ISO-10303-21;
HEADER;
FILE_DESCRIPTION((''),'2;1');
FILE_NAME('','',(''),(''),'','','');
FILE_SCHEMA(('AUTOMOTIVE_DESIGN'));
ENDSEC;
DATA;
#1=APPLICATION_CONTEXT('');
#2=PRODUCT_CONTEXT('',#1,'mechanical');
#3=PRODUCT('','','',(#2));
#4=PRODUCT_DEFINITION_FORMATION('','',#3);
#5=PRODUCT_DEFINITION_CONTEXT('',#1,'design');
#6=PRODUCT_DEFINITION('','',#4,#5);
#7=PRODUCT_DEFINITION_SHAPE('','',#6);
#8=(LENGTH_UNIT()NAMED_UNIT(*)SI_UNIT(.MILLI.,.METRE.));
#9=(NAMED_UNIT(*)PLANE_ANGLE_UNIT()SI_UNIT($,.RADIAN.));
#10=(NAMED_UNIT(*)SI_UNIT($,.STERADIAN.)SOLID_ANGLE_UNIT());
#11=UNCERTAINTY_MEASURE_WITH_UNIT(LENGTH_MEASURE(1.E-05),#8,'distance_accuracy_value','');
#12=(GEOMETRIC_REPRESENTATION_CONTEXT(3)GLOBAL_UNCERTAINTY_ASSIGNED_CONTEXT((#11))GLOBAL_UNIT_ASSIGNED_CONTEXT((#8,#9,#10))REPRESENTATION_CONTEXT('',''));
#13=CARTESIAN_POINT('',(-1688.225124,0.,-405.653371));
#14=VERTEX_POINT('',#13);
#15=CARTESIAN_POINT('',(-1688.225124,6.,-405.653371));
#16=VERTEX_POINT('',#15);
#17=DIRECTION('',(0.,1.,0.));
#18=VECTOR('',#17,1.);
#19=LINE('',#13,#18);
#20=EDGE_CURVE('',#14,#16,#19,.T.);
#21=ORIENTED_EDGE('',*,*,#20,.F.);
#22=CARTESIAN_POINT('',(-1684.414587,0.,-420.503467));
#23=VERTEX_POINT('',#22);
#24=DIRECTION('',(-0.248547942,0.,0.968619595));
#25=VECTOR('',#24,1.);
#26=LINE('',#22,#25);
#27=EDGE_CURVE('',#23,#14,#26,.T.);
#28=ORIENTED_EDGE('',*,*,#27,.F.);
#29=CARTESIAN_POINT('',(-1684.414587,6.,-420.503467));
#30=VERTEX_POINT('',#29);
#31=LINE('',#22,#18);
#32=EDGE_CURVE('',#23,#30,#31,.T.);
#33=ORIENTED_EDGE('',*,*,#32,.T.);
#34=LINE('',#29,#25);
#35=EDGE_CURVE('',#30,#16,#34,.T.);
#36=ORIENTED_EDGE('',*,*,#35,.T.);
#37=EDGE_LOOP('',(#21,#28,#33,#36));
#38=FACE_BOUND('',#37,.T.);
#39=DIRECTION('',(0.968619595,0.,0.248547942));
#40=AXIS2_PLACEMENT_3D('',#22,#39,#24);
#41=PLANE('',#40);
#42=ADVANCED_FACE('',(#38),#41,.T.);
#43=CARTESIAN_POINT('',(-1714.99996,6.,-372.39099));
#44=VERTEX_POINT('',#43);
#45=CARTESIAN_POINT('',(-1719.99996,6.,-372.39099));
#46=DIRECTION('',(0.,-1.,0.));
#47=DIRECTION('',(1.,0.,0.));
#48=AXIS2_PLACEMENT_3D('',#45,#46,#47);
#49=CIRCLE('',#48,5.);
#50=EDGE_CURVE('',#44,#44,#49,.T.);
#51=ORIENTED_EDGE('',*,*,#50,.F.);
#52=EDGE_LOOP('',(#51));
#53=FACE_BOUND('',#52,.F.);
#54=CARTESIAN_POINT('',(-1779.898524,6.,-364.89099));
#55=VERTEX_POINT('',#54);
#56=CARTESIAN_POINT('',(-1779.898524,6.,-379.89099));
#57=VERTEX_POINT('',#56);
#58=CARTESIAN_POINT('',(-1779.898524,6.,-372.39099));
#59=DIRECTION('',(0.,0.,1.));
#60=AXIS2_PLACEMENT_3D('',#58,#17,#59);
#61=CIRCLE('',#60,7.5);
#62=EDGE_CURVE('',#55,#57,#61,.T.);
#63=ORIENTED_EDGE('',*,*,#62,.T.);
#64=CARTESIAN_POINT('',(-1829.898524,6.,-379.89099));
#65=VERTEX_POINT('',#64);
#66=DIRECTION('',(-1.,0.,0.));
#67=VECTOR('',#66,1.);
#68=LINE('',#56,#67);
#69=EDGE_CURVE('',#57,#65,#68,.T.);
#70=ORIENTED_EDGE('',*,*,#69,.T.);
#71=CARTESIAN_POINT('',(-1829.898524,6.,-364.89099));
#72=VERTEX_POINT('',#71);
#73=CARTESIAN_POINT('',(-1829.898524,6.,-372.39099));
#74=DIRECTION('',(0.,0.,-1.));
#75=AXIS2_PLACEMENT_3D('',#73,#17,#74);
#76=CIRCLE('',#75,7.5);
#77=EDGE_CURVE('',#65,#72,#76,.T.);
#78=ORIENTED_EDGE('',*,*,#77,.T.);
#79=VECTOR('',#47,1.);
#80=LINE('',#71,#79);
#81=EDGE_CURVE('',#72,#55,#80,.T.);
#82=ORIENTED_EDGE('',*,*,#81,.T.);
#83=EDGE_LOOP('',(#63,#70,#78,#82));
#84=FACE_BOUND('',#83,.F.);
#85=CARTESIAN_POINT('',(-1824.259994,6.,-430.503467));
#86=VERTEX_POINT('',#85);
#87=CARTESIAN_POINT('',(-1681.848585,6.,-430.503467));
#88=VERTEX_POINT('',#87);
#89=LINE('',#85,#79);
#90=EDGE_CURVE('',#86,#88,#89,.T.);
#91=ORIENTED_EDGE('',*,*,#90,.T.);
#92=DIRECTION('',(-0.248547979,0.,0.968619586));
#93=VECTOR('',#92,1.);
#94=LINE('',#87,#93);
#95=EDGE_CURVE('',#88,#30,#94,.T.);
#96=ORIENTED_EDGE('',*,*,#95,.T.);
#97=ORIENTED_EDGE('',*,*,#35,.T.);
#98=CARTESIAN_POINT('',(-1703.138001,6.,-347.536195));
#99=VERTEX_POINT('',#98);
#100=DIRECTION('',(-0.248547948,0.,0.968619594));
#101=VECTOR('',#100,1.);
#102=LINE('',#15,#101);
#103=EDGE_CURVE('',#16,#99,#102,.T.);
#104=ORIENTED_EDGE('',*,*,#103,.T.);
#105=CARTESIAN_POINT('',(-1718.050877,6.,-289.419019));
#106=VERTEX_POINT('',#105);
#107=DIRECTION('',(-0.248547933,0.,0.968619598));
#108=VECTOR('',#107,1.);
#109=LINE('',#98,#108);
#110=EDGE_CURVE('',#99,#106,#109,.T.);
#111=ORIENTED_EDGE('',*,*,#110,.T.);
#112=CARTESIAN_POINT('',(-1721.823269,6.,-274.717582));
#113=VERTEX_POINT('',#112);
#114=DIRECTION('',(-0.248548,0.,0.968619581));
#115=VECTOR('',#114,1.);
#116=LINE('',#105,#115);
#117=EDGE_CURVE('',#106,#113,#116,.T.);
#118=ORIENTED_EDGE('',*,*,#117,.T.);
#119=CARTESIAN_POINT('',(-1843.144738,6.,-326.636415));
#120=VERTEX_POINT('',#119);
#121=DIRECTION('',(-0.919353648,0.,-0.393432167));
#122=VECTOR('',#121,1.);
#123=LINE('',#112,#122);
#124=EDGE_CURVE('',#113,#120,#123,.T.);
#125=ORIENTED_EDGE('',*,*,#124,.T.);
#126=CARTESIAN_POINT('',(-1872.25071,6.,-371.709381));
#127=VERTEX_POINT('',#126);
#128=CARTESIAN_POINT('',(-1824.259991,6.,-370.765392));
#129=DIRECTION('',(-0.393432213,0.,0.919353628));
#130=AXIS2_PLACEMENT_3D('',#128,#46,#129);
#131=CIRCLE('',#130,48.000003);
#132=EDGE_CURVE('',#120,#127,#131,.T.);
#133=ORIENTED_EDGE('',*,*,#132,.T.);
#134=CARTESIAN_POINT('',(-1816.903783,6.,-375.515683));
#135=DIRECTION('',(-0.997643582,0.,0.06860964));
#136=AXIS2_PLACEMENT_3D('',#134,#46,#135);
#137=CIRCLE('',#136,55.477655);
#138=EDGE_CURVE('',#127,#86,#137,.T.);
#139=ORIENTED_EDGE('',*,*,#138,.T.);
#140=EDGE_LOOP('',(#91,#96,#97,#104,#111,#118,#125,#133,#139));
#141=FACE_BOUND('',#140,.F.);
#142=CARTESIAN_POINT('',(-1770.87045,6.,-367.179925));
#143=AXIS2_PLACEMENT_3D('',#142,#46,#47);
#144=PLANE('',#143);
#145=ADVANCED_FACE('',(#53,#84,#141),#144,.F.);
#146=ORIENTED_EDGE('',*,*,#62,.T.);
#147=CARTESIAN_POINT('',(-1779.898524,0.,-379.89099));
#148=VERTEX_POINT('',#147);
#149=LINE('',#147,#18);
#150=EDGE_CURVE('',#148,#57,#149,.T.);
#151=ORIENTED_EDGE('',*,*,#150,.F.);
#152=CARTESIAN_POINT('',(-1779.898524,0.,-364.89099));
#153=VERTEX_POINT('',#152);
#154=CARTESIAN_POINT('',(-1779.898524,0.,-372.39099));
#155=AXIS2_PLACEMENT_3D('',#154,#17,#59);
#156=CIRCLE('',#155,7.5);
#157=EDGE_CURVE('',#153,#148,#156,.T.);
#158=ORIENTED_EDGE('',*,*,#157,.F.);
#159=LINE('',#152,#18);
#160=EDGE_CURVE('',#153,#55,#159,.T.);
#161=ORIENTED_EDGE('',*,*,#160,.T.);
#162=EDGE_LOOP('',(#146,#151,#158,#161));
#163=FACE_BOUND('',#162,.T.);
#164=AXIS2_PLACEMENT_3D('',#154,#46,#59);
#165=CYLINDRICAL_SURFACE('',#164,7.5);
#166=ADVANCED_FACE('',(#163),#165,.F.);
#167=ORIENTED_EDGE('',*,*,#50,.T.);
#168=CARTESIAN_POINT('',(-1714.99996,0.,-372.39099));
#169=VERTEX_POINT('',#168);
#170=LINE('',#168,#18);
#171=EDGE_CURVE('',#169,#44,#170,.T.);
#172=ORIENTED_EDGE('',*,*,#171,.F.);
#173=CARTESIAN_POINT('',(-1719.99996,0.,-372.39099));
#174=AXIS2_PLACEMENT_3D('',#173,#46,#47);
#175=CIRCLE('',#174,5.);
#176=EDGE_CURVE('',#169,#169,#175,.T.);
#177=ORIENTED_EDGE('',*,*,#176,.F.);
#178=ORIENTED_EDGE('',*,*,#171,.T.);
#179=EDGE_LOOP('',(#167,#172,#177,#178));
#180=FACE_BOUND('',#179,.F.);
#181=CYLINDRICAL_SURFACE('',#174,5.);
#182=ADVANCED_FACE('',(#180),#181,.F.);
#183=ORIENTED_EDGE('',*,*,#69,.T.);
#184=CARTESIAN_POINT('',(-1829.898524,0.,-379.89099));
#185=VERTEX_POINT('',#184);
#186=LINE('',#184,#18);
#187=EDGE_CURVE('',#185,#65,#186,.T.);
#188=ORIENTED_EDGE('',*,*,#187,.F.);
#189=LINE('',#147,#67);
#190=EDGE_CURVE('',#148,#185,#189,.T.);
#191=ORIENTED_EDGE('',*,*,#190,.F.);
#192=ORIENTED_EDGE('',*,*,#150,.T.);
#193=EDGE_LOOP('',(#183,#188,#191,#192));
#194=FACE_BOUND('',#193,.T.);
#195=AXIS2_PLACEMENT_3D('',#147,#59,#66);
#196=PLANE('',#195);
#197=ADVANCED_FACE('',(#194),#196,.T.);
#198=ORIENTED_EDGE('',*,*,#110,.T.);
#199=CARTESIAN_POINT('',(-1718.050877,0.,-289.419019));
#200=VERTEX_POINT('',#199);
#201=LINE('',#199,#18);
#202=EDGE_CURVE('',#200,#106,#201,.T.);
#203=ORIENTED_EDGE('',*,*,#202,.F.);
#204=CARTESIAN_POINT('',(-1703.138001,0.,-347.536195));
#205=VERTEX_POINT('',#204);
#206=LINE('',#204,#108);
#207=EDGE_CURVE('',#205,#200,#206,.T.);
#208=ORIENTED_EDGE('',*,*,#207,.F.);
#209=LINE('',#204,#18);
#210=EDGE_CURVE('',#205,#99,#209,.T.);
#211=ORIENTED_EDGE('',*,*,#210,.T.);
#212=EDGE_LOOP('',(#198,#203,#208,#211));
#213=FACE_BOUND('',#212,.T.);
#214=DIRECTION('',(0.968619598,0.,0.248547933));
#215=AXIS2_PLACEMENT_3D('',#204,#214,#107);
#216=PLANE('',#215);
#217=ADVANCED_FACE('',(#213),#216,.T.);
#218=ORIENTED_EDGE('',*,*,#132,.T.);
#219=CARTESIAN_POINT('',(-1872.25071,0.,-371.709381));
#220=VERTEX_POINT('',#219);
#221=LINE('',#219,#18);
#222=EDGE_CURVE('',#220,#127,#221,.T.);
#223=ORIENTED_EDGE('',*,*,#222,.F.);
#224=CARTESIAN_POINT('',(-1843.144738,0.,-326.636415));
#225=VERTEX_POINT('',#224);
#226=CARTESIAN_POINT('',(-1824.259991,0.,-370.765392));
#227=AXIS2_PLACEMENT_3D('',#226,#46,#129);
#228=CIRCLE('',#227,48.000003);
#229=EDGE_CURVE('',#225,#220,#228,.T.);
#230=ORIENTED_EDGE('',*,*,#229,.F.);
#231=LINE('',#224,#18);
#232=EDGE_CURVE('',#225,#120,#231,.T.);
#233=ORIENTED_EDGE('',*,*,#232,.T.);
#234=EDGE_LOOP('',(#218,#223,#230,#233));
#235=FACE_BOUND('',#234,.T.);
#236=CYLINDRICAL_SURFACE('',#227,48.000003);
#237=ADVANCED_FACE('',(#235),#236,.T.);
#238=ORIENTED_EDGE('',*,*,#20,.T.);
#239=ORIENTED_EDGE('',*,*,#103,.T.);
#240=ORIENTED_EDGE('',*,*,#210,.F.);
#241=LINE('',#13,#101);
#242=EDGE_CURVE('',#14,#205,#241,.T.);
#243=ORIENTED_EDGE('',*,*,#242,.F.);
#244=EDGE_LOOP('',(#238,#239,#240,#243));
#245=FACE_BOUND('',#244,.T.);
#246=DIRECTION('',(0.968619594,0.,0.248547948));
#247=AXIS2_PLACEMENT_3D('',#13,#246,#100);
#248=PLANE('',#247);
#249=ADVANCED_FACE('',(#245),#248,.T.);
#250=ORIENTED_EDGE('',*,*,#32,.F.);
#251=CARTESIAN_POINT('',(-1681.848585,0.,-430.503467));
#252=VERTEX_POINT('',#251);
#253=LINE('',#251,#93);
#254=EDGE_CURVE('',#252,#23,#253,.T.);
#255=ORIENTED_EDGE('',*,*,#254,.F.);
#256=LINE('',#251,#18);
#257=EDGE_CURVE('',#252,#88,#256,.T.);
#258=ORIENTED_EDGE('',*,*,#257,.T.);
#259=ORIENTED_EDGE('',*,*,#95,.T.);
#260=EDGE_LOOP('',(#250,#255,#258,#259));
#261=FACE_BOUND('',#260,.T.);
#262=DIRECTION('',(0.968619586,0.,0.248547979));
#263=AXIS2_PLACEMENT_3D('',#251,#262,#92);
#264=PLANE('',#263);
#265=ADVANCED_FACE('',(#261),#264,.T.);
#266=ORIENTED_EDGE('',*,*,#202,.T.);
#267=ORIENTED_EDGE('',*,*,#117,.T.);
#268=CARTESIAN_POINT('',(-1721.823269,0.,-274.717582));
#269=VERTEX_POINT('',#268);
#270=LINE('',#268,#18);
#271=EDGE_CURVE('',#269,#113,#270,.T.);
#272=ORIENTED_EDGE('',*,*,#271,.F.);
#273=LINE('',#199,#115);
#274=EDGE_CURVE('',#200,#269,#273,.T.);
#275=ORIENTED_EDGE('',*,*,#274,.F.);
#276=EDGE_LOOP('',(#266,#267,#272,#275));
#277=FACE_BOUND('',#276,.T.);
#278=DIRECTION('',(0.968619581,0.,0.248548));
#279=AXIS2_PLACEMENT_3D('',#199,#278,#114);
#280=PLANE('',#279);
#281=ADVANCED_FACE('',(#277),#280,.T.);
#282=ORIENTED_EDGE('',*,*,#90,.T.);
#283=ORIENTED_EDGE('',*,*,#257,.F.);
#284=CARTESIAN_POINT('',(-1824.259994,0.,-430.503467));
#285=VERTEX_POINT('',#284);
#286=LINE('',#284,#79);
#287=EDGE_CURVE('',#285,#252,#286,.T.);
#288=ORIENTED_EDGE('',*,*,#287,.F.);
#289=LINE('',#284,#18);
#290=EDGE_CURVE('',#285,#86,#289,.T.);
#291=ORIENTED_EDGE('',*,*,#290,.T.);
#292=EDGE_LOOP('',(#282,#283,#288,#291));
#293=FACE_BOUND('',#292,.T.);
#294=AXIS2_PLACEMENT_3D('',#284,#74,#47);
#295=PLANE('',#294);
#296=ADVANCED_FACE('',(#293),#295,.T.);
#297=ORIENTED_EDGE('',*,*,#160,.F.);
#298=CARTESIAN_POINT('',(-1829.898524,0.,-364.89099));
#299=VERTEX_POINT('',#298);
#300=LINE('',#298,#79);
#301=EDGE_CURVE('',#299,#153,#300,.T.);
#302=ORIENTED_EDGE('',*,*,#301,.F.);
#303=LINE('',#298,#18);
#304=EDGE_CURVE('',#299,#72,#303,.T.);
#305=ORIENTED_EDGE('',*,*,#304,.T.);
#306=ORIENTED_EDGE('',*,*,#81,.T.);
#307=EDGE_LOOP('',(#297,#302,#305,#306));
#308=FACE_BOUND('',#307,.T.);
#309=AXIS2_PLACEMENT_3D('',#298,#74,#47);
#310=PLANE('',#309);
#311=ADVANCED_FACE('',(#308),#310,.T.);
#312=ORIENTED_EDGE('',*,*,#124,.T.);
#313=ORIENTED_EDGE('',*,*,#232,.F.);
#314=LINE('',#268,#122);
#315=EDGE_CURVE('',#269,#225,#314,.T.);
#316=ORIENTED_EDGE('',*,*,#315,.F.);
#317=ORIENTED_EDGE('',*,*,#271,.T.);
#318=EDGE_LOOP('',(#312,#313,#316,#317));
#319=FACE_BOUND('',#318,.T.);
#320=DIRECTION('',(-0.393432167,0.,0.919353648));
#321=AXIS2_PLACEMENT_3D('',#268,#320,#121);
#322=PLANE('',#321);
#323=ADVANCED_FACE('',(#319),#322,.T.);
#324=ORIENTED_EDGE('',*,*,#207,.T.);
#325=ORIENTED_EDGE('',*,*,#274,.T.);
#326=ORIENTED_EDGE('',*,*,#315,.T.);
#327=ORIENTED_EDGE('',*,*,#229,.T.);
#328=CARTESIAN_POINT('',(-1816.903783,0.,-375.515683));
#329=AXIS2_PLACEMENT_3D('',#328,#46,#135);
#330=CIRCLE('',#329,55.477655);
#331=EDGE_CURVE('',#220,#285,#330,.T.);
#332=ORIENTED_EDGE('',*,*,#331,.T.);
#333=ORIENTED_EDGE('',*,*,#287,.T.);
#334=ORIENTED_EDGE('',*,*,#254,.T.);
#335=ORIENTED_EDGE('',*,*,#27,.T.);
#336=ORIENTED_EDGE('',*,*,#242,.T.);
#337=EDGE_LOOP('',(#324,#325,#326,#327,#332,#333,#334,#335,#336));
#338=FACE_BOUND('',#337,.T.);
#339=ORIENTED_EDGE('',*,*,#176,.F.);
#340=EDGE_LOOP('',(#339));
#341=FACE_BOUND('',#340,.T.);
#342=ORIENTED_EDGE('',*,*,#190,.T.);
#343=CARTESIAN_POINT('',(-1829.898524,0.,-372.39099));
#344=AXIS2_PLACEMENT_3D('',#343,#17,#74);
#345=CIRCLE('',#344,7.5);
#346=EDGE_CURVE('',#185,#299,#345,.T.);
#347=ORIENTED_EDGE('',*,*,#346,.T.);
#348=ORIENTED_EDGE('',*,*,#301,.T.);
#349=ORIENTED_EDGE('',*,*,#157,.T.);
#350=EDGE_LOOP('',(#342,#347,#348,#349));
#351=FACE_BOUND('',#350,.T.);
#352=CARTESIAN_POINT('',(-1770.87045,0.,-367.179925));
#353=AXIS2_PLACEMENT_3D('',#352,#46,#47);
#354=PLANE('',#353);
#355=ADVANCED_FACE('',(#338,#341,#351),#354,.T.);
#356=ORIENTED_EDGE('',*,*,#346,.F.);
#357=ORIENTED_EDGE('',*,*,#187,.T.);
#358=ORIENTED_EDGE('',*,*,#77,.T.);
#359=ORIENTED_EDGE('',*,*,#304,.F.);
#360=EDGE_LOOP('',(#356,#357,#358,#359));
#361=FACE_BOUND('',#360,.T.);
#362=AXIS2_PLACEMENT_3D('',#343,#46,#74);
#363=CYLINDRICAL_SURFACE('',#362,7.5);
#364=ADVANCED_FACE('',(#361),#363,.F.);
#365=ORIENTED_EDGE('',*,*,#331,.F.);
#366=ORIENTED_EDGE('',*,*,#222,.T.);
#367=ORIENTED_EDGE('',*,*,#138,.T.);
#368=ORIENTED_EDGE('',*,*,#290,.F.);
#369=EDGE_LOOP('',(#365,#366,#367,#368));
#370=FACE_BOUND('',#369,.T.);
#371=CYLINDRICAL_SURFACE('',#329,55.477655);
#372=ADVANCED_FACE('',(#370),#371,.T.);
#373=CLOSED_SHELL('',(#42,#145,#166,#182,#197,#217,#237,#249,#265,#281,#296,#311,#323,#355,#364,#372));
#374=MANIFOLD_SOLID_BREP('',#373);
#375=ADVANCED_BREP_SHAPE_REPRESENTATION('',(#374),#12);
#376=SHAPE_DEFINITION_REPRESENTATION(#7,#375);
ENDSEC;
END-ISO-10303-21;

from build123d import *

# Parameters (mm, degrees)
F0_R     = 5
F1_DEPTH = 6


with BuildPart() as f1:
    # F0 (on Front) → F1 (new body)
    with BuildSketch(Plane.XZ):
        with BuildLine():
            Line((-1703.138001, -347.536195), (-1718.050877, -289.419019))
            Line((-1718.050877, -289.419019), (-1721.823269, -274.717582))
            Line((-1721.823269, -274.717582), (-1843.144738, -326.636415))
            ThreePointArc((-1843.144738, -326.636415), (-1864.583372, -344.726475), (-1872.25071, -371.709381))
            ThreePointArc((-1872.25071, -371.709381), (-1859.881766, -410.596493), (-1824.259994, -430.503467))
            Line((-1824.259994, -430.503467), (-1785.068774, -430.503467))
            Line((-1785.068774, -430.503467), (-1681.848585, -430.503467))
            Line((-1681.848585, -430.503467), (-1684.414587, -420.503467))
            Line((-1684.414587, -420.503467), (-1688.225124, -405.653371))
            Line((-1688.225124, -405.653371), (-1703.138001, -347.536195))
        make_face()
        with BuildLine():
            ThreePointArc((-1829.898524, -379.89099), (-1837.398524, -372.39099), (-1829.898524, -364.89099))
            Line((-1829.898524, -364.89099), (-1779.898524, -364.89099))
            ThreePointArc((-1779.898524, -364.89099), (-1772.398524, -372.39099), (-1779.898524, -379.89099))
            Line((-1779.898524, -379.89099), (-1829.898524, -379.89099))
        make_face(mode=Mode.SUBTRACT)
        with Locations((-1719.99996, -372.39099)):
            Circle(F0_R, mode=Mode.SUBTRACT)
    extrude(amount=-F1_DEPTH)


solid = f1.part
